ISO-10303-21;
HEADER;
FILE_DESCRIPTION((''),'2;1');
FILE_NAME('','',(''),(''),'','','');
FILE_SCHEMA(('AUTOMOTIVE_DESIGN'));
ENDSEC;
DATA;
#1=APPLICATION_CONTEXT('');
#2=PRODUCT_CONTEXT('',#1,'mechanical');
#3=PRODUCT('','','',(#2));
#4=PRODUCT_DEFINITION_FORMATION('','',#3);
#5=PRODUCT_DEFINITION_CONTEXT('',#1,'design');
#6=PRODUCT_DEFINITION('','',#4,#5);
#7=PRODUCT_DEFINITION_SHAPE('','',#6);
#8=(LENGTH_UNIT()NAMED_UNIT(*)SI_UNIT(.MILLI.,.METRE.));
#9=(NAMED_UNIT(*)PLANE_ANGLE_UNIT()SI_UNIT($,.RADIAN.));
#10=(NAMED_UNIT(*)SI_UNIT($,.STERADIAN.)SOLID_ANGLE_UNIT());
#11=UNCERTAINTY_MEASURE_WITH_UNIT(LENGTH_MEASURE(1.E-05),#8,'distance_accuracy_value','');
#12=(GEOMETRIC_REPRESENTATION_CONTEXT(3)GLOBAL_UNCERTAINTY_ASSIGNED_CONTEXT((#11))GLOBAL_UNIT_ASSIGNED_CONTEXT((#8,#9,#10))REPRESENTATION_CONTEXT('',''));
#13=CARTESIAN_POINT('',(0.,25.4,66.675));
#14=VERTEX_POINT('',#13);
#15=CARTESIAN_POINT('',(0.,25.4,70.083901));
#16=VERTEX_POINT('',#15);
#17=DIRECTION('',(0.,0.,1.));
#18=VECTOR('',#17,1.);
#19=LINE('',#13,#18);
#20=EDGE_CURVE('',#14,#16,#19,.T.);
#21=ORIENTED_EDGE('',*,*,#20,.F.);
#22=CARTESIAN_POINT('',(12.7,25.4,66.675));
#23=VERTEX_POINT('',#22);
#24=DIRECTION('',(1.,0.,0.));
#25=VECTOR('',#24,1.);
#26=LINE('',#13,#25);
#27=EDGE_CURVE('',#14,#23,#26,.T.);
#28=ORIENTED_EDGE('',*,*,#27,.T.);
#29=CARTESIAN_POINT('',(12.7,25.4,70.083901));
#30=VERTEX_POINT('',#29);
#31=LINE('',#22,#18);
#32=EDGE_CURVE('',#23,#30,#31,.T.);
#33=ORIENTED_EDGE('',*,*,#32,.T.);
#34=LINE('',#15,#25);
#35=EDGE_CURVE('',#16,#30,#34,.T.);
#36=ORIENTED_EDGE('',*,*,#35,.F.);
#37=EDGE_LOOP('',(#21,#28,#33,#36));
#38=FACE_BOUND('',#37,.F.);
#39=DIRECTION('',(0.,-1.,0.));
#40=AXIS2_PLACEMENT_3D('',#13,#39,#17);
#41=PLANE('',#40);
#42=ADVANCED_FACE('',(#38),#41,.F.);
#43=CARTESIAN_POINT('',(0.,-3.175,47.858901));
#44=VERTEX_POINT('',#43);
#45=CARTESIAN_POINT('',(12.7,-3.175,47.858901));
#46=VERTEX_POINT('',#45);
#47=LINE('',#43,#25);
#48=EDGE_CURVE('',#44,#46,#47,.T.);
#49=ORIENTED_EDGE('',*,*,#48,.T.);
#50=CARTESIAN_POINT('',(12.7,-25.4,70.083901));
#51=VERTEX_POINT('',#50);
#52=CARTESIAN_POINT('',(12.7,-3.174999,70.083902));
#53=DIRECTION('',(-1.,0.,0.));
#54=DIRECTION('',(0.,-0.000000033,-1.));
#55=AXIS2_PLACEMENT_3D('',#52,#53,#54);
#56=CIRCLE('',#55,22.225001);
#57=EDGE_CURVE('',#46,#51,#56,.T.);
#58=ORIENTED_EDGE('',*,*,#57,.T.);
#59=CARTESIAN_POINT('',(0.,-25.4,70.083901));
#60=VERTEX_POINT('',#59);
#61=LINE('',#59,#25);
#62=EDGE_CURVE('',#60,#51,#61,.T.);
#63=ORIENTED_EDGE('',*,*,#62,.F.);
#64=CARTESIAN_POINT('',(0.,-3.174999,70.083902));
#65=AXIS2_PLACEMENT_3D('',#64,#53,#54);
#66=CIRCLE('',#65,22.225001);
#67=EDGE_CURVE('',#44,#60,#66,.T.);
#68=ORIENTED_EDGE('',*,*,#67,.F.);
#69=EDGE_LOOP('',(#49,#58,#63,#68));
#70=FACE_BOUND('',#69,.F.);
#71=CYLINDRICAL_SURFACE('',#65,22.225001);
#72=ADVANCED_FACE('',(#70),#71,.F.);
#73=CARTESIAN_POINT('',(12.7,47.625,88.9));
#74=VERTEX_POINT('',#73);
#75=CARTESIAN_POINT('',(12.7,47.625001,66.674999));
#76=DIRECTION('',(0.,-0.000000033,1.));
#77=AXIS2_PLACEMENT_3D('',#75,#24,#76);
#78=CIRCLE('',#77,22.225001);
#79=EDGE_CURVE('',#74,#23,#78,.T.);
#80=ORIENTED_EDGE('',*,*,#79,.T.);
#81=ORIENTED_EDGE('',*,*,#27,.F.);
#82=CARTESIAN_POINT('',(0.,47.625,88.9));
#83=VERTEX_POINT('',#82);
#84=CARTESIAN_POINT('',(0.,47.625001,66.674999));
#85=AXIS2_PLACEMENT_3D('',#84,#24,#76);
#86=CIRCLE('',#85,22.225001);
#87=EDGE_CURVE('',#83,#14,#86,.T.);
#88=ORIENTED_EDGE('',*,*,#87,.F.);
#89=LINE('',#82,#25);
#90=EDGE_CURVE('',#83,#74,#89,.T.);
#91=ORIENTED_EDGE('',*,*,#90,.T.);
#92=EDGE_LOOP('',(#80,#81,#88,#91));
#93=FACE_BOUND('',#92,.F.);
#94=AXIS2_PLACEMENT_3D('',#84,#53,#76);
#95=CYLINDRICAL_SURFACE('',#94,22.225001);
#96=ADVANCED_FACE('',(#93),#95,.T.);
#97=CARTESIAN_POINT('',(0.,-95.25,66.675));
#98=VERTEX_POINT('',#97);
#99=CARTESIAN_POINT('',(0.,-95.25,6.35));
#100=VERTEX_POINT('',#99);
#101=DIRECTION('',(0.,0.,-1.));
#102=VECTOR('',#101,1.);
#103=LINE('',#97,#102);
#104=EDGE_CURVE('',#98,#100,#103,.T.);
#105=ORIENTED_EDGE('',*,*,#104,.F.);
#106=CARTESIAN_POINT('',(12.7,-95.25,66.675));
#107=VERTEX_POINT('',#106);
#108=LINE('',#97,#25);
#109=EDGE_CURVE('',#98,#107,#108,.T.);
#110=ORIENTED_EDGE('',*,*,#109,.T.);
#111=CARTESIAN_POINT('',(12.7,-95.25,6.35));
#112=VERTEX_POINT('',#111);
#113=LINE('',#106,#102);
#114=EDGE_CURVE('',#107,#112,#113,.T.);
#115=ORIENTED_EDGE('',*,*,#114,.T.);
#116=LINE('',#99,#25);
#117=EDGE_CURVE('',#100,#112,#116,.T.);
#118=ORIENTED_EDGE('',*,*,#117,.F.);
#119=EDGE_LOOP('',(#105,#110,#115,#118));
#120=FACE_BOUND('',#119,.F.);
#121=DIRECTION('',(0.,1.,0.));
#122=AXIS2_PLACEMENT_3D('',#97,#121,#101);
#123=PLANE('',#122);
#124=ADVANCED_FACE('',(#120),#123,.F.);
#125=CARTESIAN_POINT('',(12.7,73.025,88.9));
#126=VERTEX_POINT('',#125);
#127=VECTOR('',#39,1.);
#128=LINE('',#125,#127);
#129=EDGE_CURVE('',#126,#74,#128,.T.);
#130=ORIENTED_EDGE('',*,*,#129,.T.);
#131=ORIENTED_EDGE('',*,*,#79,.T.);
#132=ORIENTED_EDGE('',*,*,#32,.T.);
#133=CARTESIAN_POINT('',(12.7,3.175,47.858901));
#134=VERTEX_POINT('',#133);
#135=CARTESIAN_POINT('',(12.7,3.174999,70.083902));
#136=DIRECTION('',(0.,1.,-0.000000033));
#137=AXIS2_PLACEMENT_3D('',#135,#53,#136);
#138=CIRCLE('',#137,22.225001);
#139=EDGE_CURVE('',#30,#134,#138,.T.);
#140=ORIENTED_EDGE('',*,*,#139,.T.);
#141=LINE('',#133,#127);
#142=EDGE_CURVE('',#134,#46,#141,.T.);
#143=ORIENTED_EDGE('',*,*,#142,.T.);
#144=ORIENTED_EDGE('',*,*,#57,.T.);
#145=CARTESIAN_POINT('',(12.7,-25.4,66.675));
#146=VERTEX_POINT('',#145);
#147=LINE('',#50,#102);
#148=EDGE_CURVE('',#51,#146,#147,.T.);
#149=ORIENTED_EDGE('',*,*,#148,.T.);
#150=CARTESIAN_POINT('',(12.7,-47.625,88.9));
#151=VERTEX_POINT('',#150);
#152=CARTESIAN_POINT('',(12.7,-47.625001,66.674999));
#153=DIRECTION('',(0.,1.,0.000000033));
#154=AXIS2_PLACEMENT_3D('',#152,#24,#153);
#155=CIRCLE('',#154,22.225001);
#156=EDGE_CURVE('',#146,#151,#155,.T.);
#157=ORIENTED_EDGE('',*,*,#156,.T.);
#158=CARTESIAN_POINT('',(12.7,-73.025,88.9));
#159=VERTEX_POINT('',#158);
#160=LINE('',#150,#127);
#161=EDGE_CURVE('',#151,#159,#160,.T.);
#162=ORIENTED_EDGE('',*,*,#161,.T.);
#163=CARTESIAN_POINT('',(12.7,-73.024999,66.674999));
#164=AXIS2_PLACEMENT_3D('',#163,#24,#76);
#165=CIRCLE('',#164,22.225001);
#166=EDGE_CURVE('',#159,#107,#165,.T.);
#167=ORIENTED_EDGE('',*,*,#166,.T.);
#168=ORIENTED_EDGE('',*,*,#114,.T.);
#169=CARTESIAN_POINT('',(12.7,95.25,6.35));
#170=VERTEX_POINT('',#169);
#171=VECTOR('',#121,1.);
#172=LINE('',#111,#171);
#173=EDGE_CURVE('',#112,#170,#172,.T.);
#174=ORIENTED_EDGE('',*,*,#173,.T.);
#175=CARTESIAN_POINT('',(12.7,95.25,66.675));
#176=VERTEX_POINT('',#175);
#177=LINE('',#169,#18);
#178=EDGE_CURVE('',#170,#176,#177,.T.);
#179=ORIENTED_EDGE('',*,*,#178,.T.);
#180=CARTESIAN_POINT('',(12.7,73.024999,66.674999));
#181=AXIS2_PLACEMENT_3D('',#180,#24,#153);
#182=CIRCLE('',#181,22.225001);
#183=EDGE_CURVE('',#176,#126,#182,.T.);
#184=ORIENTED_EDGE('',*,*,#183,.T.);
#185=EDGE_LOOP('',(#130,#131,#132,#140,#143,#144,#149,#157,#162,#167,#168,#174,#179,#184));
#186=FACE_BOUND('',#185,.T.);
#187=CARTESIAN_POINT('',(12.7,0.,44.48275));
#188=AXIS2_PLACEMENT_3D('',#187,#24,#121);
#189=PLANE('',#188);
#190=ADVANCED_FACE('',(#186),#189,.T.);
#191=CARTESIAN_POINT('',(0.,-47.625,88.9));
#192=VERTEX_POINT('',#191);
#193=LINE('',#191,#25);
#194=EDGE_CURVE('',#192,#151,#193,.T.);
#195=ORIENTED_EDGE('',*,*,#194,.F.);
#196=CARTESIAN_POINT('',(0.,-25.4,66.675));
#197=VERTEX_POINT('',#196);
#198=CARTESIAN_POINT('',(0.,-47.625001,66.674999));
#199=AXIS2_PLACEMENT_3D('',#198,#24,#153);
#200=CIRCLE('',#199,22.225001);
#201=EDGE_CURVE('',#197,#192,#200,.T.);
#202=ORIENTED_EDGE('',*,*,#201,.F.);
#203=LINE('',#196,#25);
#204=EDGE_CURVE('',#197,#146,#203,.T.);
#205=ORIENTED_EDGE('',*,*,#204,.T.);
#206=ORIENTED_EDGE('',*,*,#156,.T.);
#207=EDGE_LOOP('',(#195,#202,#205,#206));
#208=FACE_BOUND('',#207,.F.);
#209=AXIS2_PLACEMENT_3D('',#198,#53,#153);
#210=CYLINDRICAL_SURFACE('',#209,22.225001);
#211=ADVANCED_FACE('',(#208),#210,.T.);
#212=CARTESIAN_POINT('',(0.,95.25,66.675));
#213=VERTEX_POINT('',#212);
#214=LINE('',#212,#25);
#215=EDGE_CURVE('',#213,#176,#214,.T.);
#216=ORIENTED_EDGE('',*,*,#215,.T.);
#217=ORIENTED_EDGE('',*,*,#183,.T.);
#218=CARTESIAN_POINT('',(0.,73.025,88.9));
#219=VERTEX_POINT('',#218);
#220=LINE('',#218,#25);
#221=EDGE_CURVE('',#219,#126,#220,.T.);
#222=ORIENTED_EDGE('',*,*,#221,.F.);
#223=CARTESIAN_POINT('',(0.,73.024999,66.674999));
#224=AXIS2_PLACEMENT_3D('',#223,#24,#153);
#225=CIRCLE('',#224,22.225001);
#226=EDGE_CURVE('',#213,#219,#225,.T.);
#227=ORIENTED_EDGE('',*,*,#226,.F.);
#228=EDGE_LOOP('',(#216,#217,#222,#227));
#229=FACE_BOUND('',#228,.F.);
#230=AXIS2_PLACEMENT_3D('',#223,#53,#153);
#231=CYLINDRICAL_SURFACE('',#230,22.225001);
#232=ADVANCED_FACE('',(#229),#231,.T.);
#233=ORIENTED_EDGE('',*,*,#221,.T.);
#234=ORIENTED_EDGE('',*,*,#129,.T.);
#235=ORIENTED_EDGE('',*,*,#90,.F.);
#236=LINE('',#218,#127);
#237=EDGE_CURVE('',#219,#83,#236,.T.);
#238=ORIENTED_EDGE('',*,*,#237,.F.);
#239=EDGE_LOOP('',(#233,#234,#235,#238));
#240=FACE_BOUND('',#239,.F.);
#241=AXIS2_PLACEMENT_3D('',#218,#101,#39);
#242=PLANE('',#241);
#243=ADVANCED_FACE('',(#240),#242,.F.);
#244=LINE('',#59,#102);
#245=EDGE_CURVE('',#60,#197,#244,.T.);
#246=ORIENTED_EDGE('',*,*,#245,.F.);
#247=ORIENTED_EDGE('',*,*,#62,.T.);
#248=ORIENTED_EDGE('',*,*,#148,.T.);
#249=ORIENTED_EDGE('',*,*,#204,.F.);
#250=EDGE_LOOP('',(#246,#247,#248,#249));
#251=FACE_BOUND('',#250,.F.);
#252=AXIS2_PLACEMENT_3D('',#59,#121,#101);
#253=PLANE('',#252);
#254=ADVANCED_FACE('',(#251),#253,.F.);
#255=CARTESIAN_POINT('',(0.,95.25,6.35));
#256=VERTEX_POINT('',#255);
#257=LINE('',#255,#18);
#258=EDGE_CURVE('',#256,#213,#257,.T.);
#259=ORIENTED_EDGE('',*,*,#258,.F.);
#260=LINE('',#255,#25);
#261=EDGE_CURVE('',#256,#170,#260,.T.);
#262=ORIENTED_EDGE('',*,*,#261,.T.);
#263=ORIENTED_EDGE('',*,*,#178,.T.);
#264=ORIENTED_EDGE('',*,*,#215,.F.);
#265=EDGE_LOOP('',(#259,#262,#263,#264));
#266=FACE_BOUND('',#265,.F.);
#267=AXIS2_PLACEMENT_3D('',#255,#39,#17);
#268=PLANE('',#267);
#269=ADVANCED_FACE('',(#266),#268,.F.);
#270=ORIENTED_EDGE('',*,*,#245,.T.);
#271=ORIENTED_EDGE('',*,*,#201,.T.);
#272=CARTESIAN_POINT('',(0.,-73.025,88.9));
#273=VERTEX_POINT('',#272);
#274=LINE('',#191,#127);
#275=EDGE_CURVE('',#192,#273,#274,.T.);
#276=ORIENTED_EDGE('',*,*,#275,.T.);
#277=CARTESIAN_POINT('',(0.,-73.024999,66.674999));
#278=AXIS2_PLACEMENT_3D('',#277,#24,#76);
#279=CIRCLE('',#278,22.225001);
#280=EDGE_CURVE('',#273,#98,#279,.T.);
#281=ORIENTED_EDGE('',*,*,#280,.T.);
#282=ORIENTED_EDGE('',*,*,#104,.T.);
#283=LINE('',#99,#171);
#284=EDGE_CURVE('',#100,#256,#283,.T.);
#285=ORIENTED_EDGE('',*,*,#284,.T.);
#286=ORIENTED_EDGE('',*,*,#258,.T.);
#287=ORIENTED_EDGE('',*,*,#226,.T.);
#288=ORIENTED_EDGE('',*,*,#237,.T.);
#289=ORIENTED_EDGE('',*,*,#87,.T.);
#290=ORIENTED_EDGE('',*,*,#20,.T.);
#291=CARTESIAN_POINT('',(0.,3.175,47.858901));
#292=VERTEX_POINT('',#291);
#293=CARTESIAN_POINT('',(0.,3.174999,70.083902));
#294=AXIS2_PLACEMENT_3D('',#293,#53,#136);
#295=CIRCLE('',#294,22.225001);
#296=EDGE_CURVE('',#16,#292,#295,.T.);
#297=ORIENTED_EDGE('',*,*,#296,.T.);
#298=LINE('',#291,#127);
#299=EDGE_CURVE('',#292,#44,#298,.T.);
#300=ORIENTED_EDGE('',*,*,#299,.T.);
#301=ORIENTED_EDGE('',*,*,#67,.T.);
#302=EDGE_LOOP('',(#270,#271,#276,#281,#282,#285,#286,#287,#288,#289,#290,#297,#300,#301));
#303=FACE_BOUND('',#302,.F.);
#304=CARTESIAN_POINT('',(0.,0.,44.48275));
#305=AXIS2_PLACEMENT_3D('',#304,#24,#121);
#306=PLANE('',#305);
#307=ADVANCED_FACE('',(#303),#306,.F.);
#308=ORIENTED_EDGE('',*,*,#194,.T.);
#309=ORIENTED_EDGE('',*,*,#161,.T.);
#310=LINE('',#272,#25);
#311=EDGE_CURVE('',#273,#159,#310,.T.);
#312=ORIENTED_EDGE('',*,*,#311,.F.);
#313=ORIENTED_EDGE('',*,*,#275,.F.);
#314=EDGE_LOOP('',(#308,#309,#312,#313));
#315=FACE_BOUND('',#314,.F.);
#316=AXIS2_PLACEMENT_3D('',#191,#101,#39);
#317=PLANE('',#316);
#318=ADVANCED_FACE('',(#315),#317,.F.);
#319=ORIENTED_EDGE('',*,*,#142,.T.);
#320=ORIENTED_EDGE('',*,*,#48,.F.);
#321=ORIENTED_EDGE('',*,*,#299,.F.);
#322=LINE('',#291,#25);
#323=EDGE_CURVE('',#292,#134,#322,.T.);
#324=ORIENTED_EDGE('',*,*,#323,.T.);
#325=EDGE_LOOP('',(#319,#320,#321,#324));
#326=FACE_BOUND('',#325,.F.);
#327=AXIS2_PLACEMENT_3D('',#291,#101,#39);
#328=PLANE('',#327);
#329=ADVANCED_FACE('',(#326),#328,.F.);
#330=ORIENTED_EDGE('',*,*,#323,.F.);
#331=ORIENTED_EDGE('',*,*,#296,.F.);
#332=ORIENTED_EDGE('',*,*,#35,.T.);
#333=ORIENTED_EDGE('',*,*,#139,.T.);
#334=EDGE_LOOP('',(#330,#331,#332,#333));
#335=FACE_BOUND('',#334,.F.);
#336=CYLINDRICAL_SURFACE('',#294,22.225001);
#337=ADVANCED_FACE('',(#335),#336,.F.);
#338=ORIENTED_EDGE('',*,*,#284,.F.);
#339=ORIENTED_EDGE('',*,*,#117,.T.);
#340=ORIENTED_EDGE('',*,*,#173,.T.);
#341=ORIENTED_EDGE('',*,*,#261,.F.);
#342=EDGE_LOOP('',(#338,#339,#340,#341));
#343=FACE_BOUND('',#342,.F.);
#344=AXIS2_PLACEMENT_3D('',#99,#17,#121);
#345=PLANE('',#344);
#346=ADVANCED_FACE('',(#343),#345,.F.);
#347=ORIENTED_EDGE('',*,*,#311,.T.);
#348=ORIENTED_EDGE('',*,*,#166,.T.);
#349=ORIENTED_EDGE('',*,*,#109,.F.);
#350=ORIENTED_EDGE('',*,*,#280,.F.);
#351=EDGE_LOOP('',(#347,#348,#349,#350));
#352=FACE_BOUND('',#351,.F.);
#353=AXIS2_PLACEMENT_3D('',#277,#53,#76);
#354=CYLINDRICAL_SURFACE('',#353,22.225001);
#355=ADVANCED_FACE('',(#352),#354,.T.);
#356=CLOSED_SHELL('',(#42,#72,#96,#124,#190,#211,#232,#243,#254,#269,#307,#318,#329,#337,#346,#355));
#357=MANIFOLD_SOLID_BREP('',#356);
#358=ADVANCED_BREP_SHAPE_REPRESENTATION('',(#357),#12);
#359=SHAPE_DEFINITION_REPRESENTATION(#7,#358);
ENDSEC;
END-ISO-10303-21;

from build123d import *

# Parameters (mm, degrees)
F1_DEPTH = 12.7


with BuildPart() as f1:
    # F0 (on Right) → F1 (new body)
    with BuildSketch(Plane.YZ):
        with BuildLine():
            Line((-47.625, 88.9), (-73.025, 88.9))
            ThreePointArc((-73.025, 88.9), (-88.740448, 82.390448), (-95.25, 66.675))
            Line((-95.25, 66.675), (-95.25, 6.35))
            Line((-95.25, 6.35), (95.25, 6.35))
            Line((95.25, 6.35), (95.25, 66.675))
            ThreePointArc((95.25, 66.675), (88.740448, 82.390448), (73.025, 88.9))
            Line((73.025, 88.9), (47.625, 88.9))
            ThreePointArc((47.625, 88.9), (31.909552, 82.390448), (25.4, 66.675))
            Line((25.4, 66.675), (25.4, 70.083901))
            ThreePointArc((25.4, 70.083901), (18.890448, 54.368453), (3.175, 47.858901))
            Line((3.175, 47.858901), (-3.175, 47.858901))
            ThreePointArc((-3.175, 47.858901), (-18.890448, 54.368453), (-25.4, 70.083901))
            Line((-25.4, 70.083901), (-25.4, 66.675))
            ThreePointArc((-25.4, 66.675), (-31.909552, 82.390448), (-47.625, 88.9))
        make_face()
    extrude(amount=F1_DEPTH)


solid = f1.part
